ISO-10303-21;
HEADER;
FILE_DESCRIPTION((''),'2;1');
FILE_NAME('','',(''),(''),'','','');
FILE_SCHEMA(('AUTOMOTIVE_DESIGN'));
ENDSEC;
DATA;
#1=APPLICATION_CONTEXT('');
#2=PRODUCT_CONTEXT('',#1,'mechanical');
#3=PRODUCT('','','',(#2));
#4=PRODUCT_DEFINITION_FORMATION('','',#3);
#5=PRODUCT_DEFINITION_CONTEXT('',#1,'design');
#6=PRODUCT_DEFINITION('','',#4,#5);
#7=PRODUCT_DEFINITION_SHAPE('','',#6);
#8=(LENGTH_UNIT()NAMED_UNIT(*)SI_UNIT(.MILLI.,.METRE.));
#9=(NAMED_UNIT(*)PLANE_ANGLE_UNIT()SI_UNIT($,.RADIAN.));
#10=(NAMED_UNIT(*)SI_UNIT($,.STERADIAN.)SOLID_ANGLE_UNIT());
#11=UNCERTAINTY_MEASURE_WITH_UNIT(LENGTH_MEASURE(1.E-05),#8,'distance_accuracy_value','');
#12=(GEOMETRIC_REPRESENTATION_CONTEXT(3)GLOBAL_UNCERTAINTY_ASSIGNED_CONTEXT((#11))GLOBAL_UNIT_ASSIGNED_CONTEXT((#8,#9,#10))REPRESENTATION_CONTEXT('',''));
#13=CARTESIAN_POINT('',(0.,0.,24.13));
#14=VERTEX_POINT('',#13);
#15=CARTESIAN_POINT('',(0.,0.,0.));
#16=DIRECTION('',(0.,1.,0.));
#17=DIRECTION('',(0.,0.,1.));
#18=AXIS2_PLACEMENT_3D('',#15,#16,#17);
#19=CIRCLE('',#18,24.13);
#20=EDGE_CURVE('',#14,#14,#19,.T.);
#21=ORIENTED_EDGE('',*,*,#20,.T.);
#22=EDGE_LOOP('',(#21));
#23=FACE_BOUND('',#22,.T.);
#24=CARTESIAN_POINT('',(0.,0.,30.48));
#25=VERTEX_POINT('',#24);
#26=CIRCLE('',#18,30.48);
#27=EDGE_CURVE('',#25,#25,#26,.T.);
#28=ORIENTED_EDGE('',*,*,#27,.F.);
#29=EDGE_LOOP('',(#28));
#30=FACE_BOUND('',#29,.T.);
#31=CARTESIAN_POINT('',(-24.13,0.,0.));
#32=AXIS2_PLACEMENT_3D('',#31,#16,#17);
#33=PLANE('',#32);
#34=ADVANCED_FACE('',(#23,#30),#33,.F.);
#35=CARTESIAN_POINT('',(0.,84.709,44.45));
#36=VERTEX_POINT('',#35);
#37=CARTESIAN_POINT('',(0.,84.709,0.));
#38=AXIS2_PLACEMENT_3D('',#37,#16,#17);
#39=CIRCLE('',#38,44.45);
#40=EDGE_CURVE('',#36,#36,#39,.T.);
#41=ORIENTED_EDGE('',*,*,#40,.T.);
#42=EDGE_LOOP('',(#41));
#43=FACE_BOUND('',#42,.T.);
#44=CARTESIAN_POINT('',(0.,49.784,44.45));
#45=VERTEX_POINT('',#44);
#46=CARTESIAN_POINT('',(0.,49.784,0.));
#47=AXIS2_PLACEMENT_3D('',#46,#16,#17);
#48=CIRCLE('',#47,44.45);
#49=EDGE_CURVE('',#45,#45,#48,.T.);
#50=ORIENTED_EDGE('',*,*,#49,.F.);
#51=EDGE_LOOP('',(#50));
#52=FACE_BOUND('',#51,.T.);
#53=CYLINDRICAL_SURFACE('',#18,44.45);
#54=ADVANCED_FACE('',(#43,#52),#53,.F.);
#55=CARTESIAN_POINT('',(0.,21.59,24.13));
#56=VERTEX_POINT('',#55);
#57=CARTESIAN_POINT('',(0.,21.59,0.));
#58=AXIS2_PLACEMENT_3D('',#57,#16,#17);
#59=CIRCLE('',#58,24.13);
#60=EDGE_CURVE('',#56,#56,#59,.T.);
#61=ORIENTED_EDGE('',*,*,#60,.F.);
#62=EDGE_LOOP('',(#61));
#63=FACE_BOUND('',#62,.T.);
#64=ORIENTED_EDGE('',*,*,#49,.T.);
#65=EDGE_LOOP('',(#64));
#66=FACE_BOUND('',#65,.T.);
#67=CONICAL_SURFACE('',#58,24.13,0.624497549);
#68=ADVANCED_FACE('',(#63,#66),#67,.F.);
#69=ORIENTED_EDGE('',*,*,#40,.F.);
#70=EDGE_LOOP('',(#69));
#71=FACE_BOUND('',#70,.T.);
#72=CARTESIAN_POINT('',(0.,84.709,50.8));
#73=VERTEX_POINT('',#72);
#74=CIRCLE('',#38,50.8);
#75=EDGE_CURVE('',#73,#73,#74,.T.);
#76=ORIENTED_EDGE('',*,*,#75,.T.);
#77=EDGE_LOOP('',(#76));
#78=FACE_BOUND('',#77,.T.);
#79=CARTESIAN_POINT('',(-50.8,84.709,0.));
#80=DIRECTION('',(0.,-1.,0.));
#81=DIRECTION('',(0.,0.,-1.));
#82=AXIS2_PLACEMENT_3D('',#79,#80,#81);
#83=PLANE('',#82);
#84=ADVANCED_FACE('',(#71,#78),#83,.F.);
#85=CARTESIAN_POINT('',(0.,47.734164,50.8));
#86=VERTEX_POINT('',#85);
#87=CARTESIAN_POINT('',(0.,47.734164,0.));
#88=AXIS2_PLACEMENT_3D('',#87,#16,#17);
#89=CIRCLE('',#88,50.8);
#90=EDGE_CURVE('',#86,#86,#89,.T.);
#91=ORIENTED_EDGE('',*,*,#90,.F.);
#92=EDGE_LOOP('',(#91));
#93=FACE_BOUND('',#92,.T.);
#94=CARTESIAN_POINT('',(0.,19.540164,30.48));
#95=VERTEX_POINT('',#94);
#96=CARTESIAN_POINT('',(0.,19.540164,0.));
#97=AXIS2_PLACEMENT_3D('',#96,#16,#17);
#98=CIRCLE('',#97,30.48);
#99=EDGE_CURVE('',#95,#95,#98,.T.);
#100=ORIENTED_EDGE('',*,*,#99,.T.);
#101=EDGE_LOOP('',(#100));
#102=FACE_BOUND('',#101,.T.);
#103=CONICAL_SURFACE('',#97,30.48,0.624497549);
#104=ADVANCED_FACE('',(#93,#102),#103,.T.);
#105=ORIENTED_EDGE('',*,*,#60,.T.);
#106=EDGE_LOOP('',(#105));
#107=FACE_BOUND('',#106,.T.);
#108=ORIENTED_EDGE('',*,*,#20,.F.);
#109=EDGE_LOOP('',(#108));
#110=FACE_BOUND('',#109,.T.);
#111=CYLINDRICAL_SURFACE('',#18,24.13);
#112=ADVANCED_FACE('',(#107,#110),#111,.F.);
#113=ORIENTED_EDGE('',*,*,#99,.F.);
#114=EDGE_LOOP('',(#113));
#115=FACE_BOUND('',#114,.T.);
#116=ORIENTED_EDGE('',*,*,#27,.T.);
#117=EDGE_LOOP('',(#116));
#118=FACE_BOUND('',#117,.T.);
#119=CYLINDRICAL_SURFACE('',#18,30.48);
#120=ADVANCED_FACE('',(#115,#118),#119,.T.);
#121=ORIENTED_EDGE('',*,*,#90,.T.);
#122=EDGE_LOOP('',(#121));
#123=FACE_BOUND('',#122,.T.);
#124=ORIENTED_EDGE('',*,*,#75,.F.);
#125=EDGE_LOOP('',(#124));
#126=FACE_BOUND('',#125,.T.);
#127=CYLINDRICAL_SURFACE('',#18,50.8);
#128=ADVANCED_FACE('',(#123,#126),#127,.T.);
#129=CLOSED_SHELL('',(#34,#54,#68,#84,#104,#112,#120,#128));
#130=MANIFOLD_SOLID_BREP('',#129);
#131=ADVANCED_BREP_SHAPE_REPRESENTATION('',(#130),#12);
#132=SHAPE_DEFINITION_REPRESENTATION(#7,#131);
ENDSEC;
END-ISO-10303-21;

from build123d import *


with BuildPart() as part:
    # Sketch1 → Revolve-Thin1 (revolve)
    with BuildSketch(Plane.XY):
        Polygon((-24.13, 0), (-24.13, 21.59), (-44.45, 49.784), (-44.45, 84.709), (-50.8, 84.709), (-50.8, 47.734164011), (-30.48, 19.540164011), (-30.48, 0), align=None)
    revolve(axis=Axis((0, 0, 0), (0, -1, 0)))


solid = part.part
